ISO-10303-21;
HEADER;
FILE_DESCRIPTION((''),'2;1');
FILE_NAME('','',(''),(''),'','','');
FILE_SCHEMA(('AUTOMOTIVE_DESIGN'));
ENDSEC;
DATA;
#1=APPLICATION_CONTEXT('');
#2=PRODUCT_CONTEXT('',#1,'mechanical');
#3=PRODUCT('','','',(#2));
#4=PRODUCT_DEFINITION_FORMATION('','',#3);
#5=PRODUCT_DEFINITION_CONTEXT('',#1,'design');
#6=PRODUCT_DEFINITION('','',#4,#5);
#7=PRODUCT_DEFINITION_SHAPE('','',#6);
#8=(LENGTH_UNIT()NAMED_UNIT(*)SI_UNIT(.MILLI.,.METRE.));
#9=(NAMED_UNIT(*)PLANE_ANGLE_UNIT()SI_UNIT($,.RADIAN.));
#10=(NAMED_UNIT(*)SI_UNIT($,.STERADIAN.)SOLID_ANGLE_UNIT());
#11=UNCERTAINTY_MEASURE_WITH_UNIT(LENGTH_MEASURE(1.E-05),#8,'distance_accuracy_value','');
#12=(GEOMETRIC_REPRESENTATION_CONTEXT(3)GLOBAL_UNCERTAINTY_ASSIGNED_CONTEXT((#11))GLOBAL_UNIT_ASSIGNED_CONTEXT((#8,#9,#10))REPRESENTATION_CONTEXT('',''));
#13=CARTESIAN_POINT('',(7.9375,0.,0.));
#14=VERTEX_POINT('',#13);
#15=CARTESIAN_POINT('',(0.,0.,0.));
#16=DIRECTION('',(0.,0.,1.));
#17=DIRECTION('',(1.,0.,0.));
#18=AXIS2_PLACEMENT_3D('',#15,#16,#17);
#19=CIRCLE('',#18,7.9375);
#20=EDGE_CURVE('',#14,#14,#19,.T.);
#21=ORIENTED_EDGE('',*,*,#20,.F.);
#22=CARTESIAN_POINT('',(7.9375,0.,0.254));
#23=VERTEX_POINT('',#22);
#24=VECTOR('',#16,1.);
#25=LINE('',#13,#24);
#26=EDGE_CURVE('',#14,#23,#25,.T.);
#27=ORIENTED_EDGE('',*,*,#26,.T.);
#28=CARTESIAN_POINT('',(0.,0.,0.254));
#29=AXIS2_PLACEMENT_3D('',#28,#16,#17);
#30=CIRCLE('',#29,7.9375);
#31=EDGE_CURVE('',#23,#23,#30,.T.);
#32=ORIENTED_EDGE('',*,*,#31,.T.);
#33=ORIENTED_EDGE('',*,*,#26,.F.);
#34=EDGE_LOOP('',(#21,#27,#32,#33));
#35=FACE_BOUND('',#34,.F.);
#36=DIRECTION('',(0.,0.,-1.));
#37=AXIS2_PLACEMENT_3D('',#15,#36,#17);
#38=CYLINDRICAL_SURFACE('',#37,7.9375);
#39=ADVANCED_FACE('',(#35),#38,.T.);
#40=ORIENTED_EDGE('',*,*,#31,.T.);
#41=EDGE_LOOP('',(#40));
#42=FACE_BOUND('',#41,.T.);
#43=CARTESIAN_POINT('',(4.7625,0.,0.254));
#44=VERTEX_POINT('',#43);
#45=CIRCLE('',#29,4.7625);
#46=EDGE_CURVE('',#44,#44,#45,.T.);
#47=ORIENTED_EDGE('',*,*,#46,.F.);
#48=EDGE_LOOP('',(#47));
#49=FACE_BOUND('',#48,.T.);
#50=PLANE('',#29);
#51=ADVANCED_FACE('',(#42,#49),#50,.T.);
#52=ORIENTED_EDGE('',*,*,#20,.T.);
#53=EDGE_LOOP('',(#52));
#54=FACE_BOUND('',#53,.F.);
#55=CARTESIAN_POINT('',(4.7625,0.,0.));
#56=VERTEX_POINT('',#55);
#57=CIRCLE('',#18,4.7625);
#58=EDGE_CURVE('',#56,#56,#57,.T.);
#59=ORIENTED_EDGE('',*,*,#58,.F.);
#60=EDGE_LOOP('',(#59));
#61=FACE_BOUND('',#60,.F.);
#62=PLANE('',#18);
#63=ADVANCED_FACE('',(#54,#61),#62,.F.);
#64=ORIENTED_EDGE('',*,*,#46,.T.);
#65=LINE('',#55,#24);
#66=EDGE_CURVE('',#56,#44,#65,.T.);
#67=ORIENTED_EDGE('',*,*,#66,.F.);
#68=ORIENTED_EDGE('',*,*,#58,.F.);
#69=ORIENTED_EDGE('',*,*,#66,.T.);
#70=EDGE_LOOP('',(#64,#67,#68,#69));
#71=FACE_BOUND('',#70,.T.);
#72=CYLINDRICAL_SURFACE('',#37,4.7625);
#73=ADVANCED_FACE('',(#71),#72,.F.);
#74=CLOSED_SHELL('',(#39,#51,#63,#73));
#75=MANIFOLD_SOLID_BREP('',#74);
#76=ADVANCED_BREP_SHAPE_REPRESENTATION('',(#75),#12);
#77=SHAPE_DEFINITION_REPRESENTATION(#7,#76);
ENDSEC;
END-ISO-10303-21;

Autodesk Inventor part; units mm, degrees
ref_plane "YZ Plane" through (0, 0, 0) normal (1, 0, 0) x (0, 1, 0)
ref_plane "XZ Plane" through (0, 0, 0) normal (0, 1, 0) x (-1, 0, 0)
ref_plane "XY Plane" through (0, 0, 0) normal (0, 0, 1) x (1, 0, 0)
sketch "Sketch1" plane through (0, 0, 0) normal (0, 0, 1) x (1, 0, 0)
  circle A0 centre (0, 0) radius 4.7625
  circle A1 centre (0, 0) radius 7.9375
  dimension "d0" = 9.525
  dimension "d2" = 15.875
extrude "Extrusion1" add sketch "Sketch1" along normal blind 0.254
properties part number "Shim 10 thou"
